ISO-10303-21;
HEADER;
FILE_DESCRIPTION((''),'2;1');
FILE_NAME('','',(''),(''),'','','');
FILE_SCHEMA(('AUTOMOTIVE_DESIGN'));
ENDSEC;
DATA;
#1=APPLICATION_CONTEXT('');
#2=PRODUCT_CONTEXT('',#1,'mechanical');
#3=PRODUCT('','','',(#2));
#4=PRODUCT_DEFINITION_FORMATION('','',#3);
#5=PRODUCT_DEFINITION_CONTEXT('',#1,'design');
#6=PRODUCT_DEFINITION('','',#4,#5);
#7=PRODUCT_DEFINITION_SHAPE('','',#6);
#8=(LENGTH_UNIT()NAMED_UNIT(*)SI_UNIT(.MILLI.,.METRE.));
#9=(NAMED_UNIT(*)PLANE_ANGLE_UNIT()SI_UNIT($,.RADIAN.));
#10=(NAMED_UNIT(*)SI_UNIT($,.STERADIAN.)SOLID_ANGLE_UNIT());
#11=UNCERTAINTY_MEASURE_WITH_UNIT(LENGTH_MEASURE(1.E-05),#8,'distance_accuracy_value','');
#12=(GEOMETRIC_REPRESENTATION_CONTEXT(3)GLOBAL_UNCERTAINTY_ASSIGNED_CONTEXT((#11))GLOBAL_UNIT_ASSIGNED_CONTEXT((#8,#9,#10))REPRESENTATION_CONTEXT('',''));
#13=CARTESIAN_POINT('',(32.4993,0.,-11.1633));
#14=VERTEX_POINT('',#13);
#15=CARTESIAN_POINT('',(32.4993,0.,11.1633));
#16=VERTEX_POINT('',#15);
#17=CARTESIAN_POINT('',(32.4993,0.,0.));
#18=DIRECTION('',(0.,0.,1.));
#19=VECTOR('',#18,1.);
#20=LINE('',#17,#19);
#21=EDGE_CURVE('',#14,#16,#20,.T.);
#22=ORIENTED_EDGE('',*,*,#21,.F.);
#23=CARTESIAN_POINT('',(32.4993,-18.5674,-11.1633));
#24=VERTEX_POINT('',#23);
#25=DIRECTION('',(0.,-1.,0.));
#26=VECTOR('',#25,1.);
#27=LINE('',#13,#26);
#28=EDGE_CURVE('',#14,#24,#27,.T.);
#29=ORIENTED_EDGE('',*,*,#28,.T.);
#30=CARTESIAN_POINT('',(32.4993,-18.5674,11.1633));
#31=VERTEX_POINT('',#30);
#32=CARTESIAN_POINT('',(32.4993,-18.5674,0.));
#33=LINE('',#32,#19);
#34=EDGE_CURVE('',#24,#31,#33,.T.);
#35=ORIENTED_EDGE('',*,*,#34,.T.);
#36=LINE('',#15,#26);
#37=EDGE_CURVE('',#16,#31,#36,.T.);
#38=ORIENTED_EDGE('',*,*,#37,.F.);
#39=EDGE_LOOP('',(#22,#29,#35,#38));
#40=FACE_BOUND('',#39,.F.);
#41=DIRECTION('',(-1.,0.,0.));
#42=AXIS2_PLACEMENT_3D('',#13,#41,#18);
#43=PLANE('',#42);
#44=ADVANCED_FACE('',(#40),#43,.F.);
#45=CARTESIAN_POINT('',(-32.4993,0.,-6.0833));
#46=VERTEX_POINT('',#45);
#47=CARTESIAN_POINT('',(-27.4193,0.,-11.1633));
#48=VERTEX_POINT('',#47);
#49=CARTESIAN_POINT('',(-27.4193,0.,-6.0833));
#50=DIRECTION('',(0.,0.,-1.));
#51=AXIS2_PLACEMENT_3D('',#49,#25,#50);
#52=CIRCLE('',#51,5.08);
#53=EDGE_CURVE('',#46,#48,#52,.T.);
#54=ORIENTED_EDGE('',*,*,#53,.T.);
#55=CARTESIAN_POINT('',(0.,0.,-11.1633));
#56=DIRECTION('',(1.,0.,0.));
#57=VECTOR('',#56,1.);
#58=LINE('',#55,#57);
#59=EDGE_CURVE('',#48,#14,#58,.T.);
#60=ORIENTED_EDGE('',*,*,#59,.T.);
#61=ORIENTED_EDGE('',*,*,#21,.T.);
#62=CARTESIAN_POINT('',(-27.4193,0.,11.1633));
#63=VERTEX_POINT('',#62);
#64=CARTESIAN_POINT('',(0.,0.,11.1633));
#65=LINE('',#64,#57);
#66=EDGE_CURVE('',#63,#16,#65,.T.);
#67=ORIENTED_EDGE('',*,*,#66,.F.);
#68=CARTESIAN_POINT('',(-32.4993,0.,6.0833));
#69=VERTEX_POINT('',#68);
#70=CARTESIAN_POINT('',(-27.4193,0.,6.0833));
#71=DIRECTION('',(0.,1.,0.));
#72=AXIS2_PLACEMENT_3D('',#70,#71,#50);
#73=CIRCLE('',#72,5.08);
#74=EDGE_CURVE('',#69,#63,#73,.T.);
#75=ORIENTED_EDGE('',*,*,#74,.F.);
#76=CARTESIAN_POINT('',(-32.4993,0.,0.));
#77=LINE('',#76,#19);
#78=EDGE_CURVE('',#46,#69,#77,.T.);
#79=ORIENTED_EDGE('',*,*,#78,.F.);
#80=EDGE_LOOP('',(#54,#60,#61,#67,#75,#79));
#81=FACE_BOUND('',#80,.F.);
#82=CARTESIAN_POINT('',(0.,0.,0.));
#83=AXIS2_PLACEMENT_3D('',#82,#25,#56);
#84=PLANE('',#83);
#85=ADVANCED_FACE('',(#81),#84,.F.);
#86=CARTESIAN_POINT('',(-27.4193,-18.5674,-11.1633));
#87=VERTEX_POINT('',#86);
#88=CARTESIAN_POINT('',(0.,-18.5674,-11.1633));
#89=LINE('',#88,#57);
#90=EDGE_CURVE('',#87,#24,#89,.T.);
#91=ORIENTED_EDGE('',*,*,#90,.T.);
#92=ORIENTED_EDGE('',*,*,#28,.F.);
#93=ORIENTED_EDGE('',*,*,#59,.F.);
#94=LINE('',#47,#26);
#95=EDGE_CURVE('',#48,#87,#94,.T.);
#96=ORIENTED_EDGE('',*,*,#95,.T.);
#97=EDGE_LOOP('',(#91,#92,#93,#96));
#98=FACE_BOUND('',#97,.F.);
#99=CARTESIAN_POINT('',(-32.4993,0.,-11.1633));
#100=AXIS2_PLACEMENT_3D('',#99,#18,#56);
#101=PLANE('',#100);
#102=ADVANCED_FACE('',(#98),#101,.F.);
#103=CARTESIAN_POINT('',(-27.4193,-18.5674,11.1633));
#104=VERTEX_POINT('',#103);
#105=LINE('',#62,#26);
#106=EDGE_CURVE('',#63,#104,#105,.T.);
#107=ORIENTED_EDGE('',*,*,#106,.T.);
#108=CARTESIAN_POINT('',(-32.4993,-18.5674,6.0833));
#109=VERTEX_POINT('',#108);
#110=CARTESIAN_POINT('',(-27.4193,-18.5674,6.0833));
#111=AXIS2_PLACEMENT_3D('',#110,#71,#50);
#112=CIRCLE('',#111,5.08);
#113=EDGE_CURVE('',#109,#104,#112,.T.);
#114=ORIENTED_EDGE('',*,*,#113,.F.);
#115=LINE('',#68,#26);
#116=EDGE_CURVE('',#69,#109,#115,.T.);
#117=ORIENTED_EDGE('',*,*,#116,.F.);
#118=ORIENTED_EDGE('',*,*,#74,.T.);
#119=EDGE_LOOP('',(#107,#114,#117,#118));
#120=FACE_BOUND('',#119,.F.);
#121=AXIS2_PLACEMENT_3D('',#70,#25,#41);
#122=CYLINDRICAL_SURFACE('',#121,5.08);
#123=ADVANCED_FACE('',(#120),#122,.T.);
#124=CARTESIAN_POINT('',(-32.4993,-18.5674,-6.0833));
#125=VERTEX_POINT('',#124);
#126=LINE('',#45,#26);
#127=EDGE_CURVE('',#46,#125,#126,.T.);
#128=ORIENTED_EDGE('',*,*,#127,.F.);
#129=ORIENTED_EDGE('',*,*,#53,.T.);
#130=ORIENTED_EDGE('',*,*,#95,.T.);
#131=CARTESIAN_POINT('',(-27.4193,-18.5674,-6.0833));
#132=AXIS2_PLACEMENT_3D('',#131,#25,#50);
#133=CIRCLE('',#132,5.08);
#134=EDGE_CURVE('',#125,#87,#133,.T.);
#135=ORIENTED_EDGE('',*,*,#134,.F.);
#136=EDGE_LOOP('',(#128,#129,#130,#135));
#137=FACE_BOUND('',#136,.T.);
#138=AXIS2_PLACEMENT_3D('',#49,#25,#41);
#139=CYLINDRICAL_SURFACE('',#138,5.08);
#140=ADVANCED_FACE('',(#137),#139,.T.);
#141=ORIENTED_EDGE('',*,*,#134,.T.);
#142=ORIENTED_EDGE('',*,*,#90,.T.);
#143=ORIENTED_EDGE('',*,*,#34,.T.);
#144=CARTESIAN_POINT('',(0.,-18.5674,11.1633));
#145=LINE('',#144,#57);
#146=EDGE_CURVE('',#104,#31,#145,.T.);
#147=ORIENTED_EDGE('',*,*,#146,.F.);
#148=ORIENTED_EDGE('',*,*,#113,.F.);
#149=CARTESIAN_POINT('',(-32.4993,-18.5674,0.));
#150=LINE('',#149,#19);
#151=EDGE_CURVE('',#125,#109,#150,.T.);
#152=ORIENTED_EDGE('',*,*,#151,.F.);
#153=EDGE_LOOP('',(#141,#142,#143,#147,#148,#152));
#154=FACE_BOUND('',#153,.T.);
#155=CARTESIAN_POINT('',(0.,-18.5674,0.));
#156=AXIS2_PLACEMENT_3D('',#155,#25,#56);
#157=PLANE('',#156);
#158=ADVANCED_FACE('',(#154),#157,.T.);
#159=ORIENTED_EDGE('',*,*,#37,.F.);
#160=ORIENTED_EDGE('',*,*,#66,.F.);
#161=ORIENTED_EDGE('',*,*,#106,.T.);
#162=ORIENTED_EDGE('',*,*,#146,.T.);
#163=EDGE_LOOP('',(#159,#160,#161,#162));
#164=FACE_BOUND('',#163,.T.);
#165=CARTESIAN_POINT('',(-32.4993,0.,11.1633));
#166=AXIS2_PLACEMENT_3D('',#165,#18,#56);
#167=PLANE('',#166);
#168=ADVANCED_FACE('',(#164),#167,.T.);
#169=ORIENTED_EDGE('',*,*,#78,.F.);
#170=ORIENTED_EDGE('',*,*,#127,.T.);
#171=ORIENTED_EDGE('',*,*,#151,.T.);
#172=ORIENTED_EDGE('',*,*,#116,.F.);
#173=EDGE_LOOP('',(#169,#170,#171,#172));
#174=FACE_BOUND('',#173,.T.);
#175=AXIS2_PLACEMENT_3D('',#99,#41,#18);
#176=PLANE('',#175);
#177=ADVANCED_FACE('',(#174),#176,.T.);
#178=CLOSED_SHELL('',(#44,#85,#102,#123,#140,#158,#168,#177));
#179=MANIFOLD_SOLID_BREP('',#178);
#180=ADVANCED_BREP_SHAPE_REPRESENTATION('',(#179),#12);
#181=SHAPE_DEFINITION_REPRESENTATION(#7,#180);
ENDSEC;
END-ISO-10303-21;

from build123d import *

# Parameters (mm, degrees)
F0_W     = 64.9986
F0_H     = 22.3266
F1_DEPTH = 18.5674
F2_R     = 5.08


with BuildPart() as f1:
    # F0 (on Front) → F1 (new body)
    with BuildSketch(Plane.XZ):
        Rectangle(F0_W, F0_H)
    extrude(amount=F1_DEPTH)

    # F2
    f2_edges = [f1.edges().sort_by_distance(p)[0] for p in [
        (-32.4993, -9.2837, 11.1633),
        (-32.4993, -9.2837, -11.1633),
    ]]
    fillet(f2_edges, radius=F2_R)


solid = f1.part
